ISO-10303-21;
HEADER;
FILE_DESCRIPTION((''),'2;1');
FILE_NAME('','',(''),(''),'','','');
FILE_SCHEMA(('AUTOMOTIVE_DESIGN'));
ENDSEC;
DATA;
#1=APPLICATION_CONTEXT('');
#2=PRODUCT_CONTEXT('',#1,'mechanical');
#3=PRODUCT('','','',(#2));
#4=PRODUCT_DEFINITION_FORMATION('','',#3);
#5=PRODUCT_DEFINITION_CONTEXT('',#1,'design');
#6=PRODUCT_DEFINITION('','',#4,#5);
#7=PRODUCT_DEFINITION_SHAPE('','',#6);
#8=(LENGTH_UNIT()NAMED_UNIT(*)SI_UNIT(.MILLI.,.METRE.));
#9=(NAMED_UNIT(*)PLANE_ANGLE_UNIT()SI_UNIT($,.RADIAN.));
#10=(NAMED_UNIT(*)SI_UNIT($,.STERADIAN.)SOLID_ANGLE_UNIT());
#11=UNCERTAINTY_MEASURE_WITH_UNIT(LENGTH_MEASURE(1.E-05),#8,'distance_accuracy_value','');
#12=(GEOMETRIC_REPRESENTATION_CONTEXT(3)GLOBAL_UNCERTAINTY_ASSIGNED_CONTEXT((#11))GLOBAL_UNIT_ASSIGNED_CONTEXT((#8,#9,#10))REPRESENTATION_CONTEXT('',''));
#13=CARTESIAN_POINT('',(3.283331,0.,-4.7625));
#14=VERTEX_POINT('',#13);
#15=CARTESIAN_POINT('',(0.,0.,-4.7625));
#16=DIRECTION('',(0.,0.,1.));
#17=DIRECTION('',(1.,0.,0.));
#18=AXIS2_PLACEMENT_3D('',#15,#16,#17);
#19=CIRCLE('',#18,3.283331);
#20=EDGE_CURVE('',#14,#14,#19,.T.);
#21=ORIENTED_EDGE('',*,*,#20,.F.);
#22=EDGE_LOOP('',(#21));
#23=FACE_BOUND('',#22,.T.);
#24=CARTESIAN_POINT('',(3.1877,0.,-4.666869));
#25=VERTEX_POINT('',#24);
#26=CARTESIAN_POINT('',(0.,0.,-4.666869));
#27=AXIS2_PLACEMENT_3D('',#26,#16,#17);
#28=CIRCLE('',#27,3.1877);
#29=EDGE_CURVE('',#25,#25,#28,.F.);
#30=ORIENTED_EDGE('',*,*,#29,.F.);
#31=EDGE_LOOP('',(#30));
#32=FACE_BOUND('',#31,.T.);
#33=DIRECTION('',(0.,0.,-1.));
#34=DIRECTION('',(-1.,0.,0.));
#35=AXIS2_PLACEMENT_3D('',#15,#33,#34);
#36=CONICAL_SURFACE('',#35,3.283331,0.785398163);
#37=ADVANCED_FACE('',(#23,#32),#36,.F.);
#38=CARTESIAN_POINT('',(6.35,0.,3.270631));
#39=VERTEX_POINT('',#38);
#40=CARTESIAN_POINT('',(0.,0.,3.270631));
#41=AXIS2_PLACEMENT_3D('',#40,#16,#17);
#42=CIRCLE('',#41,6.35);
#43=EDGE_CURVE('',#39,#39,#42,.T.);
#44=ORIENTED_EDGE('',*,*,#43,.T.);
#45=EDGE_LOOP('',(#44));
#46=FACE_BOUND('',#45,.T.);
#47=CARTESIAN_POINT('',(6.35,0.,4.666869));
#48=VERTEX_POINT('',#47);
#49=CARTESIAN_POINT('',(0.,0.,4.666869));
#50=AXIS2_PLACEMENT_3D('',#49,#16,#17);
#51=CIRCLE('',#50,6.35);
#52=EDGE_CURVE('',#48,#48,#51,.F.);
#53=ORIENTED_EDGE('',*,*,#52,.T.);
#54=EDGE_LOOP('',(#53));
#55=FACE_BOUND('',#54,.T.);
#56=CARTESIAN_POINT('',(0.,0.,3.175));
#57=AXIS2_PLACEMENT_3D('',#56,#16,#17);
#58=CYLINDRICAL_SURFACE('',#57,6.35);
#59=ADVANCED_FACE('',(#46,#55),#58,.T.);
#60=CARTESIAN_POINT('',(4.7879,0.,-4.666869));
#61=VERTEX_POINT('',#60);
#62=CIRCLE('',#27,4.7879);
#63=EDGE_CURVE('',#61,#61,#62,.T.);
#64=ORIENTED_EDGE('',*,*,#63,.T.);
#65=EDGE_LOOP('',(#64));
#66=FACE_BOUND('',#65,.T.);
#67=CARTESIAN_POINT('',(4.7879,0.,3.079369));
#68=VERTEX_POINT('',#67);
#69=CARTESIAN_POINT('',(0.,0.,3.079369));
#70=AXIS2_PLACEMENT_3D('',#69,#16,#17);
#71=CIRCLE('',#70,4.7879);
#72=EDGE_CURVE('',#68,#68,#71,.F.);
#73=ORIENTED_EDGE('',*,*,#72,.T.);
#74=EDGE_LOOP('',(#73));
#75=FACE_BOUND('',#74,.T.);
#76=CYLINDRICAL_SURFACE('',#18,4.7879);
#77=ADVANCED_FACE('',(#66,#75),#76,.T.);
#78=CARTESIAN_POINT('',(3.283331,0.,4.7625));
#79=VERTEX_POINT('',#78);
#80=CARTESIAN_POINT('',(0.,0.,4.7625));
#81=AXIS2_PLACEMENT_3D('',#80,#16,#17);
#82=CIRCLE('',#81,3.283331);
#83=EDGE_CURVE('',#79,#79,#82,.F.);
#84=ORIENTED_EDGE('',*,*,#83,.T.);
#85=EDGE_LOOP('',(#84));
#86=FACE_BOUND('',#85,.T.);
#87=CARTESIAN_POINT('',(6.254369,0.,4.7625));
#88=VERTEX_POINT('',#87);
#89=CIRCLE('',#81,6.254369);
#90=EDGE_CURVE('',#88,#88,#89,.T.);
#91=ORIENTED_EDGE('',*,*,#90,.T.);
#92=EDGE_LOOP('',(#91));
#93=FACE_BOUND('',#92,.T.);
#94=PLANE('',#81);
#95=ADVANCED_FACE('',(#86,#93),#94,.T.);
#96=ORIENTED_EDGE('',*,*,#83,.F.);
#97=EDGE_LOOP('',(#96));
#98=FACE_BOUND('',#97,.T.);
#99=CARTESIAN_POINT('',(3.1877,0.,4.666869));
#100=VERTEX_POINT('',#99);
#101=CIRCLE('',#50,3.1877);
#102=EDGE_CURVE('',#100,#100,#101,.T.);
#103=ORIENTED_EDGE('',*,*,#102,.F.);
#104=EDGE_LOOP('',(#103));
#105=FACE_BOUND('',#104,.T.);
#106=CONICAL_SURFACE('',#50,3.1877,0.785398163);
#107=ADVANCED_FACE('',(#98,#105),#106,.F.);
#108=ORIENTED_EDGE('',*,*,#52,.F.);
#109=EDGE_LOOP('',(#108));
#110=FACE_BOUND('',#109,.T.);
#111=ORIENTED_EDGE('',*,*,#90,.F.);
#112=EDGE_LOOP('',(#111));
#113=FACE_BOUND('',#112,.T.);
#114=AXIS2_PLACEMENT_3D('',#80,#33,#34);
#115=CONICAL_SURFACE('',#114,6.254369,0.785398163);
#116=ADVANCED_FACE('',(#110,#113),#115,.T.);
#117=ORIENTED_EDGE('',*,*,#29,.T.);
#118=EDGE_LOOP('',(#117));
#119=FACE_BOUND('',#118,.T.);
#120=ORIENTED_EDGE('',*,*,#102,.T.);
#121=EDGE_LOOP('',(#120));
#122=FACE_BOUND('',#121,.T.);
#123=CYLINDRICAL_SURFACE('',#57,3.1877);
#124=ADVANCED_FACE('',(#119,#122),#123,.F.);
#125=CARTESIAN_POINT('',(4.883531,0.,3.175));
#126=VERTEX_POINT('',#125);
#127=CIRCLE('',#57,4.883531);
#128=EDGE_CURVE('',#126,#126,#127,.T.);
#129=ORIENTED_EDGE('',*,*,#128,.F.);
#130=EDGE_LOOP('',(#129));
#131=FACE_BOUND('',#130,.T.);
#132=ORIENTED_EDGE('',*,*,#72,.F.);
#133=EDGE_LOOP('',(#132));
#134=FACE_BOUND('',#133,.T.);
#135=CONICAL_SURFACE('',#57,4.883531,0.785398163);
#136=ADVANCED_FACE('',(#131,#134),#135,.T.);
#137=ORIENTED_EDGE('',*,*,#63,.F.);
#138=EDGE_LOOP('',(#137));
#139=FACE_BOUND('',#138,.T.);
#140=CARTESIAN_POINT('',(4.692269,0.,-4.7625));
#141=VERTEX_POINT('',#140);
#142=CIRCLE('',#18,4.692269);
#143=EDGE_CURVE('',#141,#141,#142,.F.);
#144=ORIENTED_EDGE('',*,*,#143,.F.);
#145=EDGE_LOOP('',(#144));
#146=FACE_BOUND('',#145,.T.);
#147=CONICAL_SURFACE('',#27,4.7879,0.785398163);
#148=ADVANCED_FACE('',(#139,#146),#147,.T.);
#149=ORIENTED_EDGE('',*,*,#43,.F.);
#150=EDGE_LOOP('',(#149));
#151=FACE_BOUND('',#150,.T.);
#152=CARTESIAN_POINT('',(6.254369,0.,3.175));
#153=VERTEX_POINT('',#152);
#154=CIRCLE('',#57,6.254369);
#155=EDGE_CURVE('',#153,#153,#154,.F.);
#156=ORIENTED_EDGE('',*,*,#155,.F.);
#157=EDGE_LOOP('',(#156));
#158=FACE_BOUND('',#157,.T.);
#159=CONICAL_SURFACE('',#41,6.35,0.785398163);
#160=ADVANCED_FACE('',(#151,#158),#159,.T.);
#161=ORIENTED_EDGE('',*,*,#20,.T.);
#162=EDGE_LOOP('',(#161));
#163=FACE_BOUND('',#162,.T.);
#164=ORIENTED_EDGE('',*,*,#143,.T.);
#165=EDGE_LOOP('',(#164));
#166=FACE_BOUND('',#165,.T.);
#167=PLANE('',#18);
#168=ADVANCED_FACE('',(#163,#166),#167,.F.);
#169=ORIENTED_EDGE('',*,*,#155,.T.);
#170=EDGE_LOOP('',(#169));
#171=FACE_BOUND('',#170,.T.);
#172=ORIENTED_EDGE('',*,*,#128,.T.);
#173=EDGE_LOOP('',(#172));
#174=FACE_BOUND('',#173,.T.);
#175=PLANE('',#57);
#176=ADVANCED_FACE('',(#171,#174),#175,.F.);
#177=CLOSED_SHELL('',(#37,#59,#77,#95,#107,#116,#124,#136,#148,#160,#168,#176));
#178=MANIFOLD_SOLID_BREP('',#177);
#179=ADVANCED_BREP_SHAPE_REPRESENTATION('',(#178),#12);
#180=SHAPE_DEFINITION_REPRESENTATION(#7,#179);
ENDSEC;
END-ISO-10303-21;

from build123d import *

# Parameters (mm, degrees)
BOSS_EXTRUDE1_START = 4.7625
SKETCH3_R           = 6.35
SKETCH3_R_2         = 3.1877
BOSS_EXTRUDE1_DEPTH = 1.5875
BOSS_EXTRUDE2_START = 3.175
SKETCH4_R           = 4.7879
SKETCH4_R_2         = 3.1877
BOSS_EXTRUDE2_DEPTH = 7.9375
CHAMFER1_SIZE       = 0.095631


with BuildPart() as part:
    # Sketch3 → Boss-Extrude1 (new body)
    with BuildSketch(Plane.XY.offset(BOSS_EXTRUDE1_START)):
        Circle(SKETCH3_R)
        Circle(SKETCH3_R_2, mode=Mode.SUBTRACT)
    extrude(amount=-BOSS_EXTRUDE1_DEPTH)

    # Sketch4 → Boss-Extrude2 (add)
    with BuildSketch(Plane.XY.offset(BOSS_EXTRUDE2_START)):
        Circle(SKETCH4_R)
        Circle(SKETCH4_R_2, mode=Mode.SUBTRACT)
    extrude(amount=-BOSS_EXTRUDE2_DEPTH)

    # Chamfer1
    chamfer1_edges = [part.edges().sort_by_distance(p)[0] for p in [
        (-3.1877, 0, -4.7625),
        (-4.7879, 0, 3.175),
        (-6.35, 0, 4.7625),
        (-6.35, 0, 3.175),
        (-3.1877, 0, 4.7625),
        (-4.7879, 0, -4.7625),
    ]]
    chamfer(chamfer1_edges, length=CHAMFER1_SIZE)


solid = part.part
